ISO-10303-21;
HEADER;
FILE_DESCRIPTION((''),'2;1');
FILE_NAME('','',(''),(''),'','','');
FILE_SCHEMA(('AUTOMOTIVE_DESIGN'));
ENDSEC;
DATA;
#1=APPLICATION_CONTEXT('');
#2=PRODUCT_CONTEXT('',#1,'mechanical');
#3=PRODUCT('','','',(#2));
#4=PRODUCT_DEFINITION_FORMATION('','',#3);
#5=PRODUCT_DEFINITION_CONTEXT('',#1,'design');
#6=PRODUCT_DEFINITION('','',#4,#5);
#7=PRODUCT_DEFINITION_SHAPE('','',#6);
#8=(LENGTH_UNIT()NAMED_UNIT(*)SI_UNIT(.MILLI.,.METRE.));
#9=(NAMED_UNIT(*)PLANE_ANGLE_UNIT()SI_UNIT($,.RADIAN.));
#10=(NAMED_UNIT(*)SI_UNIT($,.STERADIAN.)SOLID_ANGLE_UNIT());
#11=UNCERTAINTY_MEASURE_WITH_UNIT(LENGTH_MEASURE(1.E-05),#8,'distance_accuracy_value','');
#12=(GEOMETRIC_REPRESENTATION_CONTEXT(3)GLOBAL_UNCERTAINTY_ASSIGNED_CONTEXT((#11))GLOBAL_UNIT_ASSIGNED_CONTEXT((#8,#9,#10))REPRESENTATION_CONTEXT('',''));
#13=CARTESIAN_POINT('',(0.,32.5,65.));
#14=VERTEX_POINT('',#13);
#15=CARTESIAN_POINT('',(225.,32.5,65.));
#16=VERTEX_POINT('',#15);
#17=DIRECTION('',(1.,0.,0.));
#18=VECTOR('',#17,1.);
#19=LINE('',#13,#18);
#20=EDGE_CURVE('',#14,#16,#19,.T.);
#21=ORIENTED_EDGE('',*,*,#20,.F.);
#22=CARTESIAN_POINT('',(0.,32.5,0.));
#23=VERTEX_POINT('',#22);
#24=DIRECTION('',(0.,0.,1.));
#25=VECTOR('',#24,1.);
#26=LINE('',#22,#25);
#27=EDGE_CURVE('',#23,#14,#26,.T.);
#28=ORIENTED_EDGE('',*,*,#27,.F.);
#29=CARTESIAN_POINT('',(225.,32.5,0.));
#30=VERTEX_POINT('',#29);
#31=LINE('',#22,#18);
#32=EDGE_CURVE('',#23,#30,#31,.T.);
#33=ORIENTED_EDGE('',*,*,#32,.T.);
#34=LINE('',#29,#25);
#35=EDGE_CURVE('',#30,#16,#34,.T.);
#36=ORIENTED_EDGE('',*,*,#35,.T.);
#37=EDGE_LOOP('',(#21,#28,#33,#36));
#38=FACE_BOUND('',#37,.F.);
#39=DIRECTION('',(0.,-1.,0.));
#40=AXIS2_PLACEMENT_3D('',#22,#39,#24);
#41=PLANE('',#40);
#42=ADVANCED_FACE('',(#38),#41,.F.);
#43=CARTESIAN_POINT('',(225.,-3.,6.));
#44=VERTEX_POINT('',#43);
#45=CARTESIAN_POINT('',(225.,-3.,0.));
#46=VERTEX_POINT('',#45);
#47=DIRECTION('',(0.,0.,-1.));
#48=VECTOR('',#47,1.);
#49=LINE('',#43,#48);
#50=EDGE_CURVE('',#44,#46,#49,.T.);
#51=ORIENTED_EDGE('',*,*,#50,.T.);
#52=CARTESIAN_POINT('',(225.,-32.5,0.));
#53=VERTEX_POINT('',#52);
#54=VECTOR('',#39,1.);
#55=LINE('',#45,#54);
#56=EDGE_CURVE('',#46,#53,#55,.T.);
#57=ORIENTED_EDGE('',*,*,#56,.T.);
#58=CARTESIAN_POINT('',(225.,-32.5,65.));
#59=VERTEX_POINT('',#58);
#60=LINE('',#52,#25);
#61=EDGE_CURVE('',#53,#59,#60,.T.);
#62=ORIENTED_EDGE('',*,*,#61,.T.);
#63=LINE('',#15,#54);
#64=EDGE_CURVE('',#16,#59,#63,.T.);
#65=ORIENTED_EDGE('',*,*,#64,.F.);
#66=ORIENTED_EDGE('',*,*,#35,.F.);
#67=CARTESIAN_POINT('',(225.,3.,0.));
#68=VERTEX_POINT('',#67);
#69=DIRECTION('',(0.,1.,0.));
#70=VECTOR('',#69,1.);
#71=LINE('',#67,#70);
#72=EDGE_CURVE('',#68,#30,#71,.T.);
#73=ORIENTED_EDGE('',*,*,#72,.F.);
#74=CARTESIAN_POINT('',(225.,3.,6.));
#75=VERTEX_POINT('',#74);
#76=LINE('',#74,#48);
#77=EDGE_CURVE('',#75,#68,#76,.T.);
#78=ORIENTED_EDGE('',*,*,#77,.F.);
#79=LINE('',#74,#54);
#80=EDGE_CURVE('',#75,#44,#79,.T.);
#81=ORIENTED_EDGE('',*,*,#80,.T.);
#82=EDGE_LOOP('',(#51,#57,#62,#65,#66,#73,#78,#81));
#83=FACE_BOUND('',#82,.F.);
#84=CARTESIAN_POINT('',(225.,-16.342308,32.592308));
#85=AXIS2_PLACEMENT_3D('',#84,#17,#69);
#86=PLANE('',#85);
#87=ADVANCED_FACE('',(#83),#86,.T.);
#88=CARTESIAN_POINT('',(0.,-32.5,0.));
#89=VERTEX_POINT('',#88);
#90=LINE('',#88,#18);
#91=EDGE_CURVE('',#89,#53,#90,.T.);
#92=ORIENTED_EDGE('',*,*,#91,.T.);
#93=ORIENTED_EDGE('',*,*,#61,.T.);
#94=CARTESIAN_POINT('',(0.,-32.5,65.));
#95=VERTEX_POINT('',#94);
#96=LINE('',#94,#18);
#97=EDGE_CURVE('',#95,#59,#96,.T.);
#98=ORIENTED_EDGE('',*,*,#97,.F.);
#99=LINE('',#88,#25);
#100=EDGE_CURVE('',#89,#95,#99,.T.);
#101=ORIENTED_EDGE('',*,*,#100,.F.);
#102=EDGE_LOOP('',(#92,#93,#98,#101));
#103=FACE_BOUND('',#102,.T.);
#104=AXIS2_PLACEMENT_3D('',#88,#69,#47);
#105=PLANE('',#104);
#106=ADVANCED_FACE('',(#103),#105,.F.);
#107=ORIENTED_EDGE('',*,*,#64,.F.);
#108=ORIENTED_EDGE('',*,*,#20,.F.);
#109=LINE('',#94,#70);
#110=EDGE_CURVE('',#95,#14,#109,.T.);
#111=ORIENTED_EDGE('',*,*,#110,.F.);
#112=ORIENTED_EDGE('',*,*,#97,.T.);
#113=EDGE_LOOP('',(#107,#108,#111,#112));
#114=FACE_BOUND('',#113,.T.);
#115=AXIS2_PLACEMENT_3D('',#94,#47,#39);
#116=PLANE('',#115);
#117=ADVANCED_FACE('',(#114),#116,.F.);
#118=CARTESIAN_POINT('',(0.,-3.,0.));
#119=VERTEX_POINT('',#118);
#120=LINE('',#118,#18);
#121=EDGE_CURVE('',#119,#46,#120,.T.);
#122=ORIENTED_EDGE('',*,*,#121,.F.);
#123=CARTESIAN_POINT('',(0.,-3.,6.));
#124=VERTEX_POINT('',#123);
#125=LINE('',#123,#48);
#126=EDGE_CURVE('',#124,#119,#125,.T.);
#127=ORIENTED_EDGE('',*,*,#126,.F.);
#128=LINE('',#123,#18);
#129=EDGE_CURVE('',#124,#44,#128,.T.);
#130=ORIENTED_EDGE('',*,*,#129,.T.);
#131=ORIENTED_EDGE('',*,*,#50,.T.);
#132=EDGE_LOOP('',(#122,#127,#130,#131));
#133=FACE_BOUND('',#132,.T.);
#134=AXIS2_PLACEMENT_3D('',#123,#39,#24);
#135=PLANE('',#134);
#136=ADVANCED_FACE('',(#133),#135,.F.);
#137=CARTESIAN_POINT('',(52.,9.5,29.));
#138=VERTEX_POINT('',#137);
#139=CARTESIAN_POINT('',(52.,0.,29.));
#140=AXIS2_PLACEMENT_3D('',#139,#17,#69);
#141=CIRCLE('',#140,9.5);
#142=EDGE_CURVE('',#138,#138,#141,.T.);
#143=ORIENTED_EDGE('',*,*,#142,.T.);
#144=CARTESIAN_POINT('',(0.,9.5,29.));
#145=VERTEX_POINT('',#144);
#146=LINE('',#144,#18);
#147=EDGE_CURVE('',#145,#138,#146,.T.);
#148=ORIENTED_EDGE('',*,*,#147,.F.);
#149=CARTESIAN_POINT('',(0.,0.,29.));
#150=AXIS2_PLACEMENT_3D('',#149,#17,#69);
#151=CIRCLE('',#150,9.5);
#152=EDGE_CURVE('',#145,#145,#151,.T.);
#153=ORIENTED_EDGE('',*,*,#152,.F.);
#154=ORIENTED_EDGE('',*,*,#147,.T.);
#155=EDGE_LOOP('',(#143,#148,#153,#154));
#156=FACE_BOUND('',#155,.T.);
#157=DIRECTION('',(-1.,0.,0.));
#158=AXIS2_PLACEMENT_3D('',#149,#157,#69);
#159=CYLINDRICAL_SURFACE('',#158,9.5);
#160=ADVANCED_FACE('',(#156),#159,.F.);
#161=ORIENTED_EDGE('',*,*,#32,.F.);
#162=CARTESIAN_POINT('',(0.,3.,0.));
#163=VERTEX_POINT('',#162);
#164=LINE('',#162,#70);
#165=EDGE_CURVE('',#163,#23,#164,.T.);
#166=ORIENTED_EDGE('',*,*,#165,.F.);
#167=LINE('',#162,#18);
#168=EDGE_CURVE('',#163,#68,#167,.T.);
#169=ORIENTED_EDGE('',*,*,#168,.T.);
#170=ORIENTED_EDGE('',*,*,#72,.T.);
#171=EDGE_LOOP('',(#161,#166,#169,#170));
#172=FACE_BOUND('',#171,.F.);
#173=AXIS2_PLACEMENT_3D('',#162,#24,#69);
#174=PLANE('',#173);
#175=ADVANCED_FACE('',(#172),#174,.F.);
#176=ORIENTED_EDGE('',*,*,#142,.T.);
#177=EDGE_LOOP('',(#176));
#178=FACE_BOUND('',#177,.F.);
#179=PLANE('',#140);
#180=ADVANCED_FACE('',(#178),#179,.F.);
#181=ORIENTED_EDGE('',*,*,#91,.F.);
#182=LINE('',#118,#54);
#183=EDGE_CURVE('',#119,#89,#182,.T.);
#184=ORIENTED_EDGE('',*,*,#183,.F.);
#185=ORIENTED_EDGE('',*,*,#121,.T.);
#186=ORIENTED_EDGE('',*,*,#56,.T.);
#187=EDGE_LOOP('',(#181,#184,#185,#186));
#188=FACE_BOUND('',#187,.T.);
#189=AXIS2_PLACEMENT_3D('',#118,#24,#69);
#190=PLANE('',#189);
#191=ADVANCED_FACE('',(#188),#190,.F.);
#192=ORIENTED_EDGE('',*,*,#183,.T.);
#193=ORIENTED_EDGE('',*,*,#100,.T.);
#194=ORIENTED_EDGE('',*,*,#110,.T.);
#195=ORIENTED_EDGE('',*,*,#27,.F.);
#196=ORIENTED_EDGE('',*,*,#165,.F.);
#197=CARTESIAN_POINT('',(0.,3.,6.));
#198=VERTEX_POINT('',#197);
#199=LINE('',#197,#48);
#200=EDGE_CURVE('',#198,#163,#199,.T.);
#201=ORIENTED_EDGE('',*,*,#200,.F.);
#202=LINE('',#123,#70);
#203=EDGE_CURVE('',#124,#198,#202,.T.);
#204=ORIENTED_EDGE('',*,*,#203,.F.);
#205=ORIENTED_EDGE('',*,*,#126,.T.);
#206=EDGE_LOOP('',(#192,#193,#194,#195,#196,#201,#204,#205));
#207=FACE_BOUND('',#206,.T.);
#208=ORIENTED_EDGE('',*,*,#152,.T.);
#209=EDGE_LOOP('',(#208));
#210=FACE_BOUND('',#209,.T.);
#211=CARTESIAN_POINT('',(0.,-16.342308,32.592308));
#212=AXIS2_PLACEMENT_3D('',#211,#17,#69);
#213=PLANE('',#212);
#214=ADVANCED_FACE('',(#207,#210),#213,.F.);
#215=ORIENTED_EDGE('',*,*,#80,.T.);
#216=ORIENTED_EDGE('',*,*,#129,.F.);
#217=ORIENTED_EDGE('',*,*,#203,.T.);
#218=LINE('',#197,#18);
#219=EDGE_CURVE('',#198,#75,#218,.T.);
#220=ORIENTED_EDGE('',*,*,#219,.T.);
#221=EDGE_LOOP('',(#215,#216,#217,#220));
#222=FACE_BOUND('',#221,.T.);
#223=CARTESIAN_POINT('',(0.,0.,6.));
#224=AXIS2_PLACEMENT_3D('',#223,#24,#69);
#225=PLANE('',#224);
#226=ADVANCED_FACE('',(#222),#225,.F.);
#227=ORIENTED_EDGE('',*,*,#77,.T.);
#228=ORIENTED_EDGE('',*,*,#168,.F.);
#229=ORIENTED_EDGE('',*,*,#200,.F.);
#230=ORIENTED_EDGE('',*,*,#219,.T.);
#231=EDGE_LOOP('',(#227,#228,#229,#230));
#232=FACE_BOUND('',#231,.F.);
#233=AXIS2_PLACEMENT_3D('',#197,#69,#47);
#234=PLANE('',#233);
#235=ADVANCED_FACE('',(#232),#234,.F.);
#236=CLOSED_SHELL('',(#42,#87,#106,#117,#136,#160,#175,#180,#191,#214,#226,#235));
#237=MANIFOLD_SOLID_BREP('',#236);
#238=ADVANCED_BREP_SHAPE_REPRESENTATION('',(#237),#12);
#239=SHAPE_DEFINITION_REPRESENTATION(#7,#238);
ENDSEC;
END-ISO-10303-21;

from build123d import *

# Parameters (mm, degrees)
F1_DEPTH = 225
F3_R     = 9.5
F4_DEPTH = 52


with BuildPart() as f1:
    # F0 (on Right) → F1 (new body)
    with BuildSketch(Plane.YZ):
        Polygon((3, 6), (3, 0), (32.5, 0), (32.5, 65), (0, 65), (0, 6), align=None)
    extrude(amount=F1_DEPTH)

    # F2: F1 across plane


with BuildPart() as f1_1:
    add(f1.part)
    add(f1.part.mirror(Plane.XZ))

    # F3 (on Right) → F4 (cut)
    with BuildSketch(Plane.YZ):
        with Locations((0, 29)):
            Circle(F3_R)
    extrude(amount=F4_DEPTH, mode=Mode.SUBTRACT)


solid = f1_1.part
